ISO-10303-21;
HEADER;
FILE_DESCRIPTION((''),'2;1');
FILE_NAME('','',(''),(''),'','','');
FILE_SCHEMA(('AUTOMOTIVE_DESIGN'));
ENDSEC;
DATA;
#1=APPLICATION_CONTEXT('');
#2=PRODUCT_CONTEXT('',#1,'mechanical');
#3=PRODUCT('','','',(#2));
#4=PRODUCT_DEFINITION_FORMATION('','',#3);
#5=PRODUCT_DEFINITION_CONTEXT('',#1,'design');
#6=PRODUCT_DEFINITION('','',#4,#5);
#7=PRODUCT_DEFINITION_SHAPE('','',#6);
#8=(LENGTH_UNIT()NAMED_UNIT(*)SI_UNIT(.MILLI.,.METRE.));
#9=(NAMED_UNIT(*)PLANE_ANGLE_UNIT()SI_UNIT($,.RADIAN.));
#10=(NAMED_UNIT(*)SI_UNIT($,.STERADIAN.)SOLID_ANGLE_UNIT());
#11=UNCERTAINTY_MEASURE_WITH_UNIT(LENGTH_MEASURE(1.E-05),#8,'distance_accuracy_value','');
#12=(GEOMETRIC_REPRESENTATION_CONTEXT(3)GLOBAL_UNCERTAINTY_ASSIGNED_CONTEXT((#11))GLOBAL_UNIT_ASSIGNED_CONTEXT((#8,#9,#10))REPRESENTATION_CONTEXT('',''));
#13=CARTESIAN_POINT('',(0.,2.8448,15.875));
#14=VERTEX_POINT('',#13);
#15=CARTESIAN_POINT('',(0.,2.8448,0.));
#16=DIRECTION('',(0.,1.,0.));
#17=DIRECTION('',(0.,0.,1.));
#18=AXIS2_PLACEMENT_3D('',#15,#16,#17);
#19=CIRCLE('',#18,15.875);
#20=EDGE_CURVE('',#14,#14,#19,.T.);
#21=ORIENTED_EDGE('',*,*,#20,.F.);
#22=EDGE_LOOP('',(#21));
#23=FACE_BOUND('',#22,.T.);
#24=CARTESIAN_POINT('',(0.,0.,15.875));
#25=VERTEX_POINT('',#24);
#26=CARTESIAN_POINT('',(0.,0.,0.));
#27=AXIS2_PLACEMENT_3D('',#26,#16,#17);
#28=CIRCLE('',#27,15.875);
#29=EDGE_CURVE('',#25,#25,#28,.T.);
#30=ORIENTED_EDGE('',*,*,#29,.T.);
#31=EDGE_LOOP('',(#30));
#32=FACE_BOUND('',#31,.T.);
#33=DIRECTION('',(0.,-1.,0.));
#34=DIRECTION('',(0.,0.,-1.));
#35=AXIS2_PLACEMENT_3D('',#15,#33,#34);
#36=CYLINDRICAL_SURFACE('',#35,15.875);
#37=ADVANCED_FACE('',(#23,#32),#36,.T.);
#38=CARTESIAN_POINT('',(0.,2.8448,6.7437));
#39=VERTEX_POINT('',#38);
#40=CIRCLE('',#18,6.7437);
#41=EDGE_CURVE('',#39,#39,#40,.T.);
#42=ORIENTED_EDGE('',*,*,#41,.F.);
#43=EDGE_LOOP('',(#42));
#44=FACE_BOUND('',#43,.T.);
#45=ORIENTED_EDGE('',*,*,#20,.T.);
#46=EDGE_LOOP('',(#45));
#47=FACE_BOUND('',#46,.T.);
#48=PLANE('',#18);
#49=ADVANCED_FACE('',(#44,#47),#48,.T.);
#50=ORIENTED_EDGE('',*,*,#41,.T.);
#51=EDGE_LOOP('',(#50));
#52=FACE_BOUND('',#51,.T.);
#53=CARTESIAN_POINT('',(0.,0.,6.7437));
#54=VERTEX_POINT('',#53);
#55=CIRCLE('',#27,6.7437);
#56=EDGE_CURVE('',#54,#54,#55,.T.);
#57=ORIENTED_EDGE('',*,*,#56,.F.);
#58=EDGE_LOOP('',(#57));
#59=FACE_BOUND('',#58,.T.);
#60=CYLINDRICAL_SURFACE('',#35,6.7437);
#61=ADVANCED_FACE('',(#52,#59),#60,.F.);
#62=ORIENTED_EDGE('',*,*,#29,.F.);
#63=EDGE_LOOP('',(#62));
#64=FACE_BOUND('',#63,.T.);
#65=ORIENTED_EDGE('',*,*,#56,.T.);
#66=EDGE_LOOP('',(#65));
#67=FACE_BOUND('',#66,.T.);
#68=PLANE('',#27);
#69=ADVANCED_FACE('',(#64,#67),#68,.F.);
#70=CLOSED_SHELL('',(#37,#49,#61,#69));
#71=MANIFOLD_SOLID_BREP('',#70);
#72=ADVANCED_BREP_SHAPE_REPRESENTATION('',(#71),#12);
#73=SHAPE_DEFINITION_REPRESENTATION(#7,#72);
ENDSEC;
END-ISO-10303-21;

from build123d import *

# Parameters (mm, degrees)
SKETCH1_R          = 15.875
SKETCH1_R_2        = 6.7437
BASE_EXTRUDE_DEPTH = 2.8448


with BuildPart() as part:
    # Sketch1 → Base-Extrude (new body)
    with BuildSketch(Plane(origin=(0, 0, 0), x_dir=(1, 0, 0), z_dir=(0, 1, 0))):
        with Locations(Location((0, 0, 0), (0, 0, 270))):
            Circle(SKETCH1_R)
        with Locations(Location((0, 0, 0), (0, 0, 270))):
            Circle(SKETCH1_R_2, mode=Mode.SUBTRACT)
    extrude(amount=BASE_EXTRUDE_DEPTH)


solid = part.part
